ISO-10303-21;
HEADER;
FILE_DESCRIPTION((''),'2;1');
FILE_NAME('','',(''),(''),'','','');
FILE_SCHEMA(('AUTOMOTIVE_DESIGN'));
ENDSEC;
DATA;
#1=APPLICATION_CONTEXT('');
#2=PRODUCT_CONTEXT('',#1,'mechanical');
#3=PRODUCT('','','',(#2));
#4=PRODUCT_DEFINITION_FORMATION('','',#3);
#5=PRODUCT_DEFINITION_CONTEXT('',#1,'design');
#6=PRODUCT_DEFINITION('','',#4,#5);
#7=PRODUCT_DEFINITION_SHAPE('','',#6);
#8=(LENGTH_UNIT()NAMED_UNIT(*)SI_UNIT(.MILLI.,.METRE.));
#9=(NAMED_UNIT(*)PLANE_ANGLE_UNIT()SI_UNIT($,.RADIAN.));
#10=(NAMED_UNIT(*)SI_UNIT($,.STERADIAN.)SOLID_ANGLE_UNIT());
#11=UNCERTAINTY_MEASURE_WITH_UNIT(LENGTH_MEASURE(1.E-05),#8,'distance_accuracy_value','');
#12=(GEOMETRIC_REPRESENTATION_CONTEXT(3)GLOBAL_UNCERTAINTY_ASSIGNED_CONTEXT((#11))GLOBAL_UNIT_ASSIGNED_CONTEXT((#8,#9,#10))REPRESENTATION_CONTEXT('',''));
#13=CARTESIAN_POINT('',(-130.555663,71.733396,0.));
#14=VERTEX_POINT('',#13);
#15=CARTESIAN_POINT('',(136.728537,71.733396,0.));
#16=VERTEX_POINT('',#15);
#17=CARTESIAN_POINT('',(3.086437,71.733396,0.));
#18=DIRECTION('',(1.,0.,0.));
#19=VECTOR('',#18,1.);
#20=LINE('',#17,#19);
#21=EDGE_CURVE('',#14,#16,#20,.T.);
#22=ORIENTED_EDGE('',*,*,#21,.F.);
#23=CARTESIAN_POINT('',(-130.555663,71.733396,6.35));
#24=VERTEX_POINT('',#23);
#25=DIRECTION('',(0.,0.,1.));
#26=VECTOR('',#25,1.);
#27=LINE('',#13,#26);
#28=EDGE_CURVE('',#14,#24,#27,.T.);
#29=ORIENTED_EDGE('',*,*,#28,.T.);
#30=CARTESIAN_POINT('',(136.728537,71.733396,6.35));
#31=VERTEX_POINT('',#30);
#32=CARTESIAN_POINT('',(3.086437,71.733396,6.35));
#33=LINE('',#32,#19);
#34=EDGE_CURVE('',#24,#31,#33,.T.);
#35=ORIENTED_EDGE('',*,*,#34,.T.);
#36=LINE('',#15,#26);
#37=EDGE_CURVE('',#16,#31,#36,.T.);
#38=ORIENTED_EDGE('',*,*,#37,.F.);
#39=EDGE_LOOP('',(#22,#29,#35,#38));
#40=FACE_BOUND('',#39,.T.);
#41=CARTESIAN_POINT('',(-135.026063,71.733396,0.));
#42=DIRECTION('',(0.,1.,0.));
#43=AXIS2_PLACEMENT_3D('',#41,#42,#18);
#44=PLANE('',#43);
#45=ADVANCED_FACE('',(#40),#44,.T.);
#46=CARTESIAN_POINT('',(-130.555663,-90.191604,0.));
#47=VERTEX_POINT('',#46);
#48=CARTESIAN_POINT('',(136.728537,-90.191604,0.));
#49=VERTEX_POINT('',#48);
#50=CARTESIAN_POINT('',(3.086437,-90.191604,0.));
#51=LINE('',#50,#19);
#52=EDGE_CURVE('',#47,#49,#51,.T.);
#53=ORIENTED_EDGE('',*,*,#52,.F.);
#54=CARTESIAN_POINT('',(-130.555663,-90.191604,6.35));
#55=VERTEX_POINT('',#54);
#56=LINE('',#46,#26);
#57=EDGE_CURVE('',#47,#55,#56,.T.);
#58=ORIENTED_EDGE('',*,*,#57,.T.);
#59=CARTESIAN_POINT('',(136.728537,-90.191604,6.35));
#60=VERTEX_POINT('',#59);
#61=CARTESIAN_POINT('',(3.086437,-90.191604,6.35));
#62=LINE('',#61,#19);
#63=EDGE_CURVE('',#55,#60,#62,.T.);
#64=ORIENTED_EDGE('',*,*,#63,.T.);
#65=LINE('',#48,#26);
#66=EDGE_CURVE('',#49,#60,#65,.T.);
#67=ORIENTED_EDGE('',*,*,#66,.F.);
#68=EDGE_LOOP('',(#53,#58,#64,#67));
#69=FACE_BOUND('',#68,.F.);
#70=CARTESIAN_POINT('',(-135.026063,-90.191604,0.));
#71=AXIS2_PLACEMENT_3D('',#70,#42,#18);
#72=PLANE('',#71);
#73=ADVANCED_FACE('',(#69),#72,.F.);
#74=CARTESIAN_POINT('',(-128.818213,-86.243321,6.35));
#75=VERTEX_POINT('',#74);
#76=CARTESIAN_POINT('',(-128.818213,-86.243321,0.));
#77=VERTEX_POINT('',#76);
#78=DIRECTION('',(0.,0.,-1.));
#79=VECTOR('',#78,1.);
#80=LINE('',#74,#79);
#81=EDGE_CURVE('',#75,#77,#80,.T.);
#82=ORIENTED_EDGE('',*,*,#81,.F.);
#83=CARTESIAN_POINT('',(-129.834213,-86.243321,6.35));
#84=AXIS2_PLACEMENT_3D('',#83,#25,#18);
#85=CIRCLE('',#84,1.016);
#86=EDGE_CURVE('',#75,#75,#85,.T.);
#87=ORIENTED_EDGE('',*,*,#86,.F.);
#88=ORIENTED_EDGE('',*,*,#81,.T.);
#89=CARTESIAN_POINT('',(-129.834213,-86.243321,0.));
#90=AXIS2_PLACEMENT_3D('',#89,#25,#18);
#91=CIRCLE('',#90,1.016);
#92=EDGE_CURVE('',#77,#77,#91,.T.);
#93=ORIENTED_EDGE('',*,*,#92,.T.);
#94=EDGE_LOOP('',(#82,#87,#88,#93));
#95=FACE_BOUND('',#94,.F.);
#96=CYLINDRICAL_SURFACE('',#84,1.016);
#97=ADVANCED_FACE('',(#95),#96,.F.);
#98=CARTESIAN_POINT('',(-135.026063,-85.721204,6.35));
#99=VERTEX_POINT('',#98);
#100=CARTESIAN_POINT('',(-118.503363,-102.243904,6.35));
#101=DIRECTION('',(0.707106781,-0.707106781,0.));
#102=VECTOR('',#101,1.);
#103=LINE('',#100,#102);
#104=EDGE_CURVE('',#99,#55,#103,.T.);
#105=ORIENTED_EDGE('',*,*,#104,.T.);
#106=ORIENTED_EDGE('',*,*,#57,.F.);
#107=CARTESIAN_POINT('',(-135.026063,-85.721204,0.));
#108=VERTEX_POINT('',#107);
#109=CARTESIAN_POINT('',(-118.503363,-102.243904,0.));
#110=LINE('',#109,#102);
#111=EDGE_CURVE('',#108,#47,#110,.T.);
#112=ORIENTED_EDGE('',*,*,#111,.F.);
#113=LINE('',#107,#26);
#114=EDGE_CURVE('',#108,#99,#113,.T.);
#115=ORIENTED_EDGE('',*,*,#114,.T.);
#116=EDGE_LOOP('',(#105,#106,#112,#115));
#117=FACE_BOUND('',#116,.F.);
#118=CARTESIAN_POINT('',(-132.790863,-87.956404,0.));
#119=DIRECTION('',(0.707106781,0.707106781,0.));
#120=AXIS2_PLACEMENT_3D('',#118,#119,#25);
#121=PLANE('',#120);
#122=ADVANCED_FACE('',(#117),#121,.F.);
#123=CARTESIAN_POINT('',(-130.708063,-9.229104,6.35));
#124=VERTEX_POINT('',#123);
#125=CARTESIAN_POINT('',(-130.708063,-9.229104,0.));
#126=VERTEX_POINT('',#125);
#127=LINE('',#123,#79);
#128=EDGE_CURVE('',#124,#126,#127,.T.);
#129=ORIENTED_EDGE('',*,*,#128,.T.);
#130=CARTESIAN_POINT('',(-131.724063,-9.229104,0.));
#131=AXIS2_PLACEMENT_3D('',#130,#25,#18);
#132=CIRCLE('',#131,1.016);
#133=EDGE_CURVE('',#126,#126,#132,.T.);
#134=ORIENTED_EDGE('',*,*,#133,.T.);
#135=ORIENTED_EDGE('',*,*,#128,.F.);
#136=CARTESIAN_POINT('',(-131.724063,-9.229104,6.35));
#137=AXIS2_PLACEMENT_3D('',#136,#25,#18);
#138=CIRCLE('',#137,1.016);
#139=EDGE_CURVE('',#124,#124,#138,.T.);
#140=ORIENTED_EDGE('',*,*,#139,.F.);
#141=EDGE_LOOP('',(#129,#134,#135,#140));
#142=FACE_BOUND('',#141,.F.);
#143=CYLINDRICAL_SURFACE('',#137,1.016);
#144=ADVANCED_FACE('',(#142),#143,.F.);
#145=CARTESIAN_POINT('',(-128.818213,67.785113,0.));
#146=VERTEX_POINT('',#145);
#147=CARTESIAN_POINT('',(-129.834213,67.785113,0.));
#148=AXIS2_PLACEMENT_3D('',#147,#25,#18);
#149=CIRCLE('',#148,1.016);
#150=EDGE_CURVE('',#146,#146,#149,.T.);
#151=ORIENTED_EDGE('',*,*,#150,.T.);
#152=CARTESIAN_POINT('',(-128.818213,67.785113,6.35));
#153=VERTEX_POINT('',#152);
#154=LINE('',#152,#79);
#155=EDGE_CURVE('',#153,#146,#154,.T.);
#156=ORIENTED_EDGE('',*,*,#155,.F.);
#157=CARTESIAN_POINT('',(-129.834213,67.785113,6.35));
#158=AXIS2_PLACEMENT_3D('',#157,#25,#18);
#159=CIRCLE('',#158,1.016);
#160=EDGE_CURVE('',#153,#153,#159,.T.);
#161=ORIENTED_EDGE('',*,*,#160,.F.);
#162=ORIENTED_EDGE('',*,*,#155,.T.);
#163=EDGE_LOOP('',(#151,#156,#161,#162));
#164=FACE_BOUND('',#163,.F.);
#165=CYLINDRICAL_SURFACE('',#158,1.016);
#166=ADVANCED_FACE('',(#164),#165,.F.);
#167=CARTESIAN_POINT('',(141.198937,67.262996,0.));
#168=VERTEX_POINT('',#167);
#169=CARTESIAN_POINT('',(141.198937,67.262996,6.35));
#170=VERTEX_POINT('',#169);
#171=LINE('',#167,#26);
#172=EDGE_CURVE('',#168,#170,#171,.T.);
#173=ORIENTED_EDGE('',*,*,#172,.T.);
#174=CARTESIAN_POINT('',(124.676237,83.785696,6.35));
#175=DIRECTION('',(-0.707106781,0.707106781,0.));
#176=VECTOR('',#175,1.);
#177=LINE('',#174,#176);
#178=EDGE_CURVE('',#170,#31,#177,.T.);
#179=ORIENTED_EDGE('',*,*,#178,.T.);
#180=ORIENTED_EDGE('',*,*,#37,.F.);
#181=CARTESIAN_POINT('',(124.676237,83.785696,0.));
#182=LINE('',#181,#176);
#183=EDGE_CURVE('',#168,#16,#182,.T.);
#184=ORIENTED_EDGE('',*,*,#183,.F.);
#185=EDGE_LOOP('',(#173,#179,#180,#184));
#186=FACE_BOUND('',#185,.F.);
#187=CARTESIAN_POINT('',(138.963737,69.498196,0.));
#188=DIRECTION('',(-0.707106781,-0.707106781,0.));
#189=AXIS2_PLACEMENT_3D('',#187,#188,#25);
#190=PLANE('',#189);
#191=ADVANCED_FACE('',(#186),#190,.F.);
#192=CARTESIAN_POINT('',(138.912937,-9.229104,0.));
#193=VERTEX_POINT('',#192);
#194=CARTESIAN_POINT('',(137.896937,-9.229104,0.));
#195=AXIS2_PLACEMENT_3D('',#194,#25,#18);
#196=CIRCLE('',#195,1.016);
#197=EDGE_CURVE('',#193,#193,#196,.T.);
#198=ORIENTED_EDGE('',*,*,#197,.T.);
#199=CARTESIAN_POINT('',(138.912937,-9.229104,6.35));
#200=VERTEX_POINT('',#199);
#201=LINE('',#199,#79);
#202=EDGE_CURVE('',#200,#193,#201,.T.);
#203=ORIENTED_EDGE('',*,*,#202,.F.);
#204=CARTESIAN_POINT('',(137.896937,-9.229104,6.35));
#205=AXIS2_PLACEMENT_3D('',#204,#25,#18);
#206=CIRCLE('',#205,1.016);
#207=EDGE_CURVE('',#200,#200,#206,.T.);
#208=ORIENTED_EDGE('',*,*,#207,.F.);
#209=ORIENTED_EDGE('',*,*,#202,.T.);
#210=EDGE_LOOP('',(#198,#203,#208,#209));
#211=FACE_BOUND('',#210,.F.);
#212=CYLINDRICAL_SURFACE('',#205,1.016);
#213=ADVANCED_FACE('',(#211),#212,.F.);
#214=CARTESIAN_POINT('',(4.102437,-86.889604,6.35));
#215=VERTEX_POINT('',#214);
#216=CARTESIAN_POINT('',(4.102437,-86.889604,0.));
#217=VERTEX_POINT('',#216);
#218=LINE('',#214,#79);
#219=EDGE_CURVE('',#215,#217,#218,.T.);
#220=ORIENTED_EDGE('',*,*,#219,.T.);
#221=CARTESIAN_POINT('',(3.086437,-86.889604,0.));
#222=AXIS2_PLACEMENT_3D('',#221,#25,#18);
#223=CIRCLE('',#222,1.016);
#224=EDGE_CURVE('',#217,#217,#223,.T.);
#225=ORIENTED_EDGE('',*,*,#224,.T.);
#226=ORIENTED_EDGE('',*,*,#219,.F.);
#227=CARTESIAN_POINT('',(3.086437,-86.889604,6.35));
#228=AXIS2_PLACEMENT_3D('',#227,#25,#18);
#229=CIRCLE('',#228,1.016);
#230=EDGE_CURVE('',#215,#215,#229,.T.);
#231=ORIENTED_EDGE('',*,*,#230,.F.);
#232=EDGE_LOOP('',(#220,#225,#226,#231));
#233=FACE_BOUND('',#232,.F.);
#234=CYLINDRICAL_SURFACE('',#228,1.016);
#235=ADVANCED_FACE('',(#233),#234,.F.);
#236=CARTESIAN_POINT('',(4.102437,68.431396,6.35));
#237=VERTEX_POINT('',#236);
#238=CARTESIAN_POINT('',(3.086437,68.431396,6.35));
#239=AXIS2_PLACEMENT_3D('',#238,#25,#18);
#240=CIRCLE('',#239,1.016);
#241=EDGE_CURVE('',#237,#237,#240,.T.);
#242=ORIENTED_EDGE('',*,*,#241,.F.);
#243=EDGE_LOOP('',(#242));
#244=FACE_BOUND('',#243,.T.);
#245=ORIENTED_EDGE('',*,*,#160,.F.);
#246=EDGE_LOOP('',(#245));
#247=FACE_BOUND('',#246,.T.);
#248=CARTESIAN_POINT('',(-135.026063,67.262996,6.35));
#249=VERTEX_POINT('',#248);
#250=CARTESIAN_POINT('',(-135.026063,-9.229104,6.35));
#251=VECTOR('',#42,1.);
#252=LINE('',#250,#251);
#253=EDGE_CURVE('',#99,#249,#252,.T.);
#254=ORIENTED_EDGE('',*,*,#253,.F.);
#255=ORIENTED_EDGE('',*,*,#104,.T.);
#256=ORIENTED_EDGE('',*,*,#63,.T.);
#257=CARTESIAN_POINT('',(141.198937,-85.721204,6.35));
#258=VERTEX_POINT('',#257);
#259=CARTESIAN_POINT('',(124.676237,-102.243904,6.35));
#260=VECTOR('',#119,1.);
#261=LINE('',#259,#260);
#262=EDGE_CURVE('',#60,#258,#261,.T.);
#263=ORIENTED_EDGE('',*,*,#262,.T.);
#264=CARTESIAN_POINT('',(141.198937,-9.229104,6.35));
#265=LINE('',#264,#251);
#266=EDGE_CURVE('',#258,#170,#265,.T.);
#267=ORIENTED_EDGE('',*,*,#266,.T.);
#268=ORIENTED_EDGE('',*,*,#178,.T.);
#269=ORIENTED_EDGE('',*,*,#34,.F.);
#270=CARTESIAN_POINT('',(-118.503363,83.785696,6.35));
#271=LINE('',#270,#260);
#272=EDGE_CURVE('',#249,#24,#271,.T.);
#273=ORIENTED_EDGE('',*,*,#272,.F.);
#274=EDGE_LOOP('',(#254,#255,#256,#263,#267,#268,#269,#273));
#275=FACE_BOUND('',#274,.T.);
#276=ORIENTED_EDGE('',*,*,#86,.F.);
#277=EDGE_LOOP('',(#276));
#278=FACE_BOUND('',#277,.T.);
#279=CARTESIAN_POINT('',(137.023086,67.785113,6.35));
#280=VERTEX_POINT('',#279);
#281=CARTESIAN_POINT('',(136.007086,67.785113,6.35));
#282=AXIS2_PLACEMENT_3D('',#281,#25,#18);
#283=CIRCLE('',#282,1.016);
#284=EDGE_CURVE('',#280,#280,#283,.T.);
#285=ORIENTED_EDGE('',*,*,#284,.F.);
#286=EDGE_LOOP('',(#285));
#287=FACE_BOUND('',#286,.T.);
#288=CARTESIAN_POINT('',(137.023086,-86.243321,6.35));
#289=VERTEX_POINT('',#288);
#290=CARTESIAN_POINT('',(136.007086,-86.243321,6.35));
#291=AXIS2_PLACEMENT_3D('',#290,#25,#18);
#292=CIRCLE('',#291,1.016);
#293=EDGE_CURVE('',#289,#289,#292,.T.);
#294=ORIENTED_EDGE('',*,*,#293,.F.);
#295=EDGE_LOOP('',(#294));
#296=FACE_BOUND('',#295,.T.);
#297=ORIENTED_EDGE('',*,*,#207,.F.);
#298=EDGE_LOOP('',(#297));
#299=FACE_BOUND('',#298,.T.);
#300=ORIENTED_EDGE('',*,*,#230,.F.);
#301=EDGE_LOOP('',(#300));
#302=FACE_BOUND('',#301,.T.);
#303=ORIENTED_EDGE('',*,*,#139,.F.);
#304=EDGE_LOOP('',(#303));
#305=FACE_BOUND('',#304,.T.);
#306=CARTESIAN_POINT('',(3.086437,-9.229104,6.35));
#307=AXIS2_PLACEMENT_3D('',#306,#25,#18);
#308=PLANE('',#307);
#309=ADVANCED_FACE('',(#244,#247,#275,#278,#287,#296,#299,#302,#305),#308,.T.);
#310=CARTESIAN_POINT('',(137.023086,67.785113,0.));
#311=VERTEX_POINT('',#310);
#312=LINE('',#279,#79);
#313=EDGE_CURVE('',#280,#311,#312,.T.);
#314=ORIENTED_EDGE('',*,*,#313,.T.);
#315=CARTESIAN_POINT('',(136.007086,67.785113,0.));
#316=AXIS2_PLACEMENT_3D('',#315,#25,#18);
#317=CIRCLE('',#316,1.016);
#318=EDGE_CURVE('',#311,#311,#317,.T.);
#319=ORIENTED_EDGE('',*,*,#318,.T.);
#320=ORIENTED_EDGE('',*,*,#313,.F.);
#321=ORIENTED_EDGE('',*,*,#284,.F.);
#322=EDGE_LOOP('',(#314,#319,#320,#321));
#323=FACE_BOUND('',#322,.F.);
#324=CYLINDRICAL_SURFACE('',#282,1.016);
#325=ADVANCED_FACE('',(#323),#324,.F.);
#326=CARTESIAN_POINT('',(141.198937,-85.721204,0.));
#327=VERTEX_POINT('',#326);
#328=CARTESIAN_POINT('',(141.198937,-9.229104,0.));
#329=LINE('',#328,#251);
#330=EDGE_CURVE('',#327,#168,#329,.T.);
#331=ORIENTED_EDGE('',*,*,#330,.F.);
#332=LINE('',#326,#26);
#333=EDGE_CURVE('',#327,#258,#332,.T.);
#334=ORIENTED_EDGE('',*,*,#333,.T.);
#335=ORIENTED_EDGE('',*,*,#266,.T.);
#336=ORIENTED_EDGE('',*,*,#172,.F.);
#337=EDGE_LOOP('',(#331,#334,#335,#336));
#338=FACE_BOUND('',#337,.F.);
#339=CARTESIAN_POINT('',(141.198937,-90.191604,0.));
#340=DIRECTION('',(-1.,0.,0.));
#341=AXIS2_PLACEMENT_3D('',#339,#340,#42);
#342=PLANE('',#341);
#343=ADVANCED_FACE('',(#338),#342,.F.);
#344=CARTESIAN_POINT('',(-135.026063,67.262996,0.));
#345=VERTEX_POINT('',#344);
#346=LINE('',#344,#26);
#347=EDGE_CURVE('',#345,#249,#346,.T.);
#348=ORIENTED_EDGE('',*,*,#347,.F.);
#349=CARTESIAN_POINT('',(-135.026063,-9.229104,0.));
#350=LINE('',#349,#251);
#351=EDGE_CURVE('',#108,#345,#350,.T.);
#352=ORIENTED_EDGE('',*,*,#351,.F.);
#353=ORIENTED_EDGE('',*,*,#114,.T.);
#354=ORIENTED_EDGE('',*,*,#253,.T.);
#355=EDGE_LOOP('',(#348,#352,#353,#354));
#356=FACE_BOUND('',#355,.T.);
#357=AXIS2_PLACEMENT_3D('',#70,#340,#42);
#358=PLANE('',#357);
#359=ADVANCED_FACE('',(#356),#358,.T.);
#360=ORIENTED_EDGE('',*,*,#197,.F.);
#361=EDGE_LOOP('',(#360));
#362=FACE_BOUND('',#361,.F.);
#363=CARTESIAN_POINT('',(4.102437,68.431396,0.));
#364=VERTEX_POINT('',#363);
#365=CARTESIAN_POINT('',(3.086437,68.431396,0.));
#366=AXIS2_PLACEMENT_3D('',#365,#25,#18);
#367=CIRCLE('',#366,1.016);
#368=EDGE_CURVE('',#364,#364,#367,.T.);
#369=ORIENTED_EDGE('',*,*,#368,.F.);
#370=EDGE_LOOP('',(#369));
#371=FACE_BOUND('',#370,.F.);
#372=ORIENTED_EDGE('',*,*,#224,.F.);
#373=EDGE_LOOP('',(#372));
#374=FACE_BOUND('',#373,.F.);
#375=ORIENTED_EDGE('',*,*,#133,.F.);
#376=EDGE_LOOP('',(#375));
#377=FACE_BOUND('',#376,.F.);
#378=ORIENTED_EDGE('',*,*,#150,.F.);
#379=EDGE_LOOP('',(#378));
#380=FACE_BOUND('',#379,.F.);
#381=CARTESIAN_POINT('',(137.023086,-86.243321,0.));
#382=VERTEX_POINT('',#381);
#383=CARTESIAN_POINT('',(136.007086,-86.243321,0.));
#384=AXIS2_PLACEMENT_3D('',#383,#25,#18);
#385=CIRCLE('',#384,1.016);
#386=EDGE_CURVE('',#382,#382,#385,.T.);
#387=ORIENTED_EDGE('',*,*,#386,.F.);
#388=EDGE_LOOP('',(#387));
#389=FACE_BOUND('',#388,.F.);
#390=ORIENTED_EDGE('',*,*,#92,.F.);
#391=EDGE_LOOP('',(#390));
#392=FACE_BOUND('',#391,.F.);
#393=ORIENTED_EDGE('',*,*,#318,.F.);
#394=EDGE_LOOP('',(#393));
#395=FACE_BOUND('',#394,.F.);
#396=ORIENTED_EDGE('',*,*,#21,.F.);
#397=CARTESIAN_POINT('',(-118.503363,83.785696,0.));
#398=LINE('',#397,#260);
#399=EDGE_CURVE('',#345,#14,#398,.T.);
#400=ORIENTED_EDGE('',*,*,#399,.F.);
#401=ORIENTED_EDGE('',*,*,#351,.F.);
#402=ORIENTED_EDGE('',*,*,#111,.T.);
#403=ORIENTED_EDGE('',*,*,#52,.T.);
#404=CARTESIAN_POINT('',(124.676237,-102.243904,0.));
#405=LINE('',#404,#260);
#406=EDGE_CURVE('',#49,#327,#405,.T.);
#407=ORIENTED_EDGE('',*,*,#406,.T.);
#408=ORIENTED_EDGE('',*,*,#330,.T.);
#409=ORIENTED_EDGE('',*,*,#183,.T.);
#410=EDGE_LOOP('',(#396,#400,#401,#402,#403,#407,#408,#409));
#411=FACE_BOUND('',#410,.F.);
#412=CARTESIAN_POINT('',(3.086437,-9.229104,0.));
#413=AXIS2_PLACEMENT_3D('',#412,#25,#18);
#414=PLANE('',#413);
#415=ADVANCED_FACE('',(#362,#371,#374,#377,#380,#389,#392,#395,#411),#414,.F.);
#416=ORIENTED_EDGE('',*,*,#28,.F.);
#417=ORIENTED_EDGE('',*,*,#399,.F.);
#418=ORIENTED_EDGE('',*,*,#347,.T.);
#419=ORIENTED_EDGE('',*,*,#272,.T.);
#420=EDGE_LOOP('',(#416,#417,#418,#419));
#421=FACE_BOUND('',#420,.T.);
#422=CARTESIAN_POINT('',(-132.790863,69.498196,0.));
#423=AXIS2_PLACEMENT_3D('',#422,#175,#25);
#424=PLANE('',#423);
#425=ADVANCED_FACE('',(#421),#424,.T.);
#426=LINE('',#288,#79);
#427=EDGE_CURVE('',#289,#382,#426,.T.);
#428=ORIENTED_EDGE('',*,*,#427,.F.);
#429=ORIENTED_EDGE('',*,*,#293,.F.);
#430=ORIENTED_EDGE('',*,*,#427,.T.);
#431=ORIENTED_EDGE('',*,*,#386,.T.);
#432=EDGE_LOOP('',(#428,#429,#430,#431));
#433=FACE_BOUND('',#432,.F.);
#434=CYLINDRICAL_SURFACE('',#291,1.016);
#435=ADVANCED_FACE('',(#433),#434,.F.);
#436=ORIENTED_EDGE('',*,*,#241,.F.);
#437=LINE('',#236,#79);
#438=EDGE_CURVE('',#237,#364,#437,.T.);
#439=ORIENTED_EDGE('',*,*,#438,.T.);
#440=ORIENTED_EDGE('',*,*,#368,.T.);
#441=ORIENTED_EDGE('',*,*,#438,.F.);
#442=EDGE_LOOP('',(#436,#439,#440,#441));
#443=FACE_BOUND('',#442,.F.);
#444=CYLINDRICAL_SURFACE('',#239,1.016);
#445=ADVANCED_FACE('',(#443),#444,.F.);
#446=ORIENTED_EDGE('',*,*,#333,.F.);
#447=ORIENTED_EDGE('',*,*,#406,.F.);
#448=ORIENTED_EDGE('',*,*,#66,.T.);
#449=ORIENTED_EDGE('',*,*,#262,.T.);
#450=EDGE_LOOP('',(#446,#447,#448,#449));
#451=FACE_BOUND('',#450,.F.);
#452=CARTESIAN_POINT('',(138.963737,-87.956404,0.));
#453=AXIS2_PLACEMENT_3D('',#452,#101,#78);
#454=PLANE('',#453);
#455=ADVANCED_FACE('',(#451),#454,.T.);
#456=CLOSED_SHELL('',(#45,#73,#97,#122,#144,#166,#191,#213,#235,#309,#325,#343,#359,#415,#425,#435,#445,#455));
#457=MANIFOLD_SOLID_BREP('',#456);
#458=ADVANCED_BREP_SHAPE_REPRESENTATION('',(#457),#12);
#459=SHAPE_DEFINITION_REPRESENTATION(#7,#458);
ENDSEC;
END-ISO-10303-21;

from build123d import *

# Parameters (mm, degrees)
F0_W     = 276.225
F0_H     = 161.925
F1_DEPTH = 6.35
F2_SIZE  = 4.4704
F3_R     = 1.016
F4_DEPTH = 6.351


with BuildPart() as f1:
    # F0 (on Top) → F1 (new body)
    with BuildSketch(Plane.XY):
        with Locations((3.086437, -9.229104)):
            Rectangle(F0_W, F0_H)
    extrude(amount=F1_DEPTH)

    # F2
    f2_edges = [f1.edges().sort_by_distance(p)[0] for p in [
        (-135.026063, 71.733396, 3.175),
        (141.198937, 71.733396, 3.175),
        (141.198937, -90.191604, 3.175),
        (-135.026063, -90.191604, 3.175),
    ]]
    chamfer(f2_edges, length=F2_SIZE)

    # F3 (on face) → F4 (cut, through all)
    with BuildSketch(Plane.XY.offset(6.35)):
        with Locations((-131.724063, -9.229104)):
            Circle(F3_R)
        with Locations((3.086437, -86.889604)):
            Circle(F3_R)
        with Locations((3.086437, 68.431396)):
            Circle(F3_R)
        with Locations((-129.834213, 67.785113)):
            Circle(F3_R)
        with Locations((-129.834213, -86.243321)):
            Circle(F3_R)
        with Locations((136.007086, -86.243321)):
            Circle(F3_R)
        with Locations((137.896937, -9.229104)):
            Circle(F3_R)
        with Locations((136.007086, 67.785113)):
            Circle(F3_R)
    extrude(amount=-F4_DEPTH, mode=Mode.SUBTRACT)


solid = f1.part
